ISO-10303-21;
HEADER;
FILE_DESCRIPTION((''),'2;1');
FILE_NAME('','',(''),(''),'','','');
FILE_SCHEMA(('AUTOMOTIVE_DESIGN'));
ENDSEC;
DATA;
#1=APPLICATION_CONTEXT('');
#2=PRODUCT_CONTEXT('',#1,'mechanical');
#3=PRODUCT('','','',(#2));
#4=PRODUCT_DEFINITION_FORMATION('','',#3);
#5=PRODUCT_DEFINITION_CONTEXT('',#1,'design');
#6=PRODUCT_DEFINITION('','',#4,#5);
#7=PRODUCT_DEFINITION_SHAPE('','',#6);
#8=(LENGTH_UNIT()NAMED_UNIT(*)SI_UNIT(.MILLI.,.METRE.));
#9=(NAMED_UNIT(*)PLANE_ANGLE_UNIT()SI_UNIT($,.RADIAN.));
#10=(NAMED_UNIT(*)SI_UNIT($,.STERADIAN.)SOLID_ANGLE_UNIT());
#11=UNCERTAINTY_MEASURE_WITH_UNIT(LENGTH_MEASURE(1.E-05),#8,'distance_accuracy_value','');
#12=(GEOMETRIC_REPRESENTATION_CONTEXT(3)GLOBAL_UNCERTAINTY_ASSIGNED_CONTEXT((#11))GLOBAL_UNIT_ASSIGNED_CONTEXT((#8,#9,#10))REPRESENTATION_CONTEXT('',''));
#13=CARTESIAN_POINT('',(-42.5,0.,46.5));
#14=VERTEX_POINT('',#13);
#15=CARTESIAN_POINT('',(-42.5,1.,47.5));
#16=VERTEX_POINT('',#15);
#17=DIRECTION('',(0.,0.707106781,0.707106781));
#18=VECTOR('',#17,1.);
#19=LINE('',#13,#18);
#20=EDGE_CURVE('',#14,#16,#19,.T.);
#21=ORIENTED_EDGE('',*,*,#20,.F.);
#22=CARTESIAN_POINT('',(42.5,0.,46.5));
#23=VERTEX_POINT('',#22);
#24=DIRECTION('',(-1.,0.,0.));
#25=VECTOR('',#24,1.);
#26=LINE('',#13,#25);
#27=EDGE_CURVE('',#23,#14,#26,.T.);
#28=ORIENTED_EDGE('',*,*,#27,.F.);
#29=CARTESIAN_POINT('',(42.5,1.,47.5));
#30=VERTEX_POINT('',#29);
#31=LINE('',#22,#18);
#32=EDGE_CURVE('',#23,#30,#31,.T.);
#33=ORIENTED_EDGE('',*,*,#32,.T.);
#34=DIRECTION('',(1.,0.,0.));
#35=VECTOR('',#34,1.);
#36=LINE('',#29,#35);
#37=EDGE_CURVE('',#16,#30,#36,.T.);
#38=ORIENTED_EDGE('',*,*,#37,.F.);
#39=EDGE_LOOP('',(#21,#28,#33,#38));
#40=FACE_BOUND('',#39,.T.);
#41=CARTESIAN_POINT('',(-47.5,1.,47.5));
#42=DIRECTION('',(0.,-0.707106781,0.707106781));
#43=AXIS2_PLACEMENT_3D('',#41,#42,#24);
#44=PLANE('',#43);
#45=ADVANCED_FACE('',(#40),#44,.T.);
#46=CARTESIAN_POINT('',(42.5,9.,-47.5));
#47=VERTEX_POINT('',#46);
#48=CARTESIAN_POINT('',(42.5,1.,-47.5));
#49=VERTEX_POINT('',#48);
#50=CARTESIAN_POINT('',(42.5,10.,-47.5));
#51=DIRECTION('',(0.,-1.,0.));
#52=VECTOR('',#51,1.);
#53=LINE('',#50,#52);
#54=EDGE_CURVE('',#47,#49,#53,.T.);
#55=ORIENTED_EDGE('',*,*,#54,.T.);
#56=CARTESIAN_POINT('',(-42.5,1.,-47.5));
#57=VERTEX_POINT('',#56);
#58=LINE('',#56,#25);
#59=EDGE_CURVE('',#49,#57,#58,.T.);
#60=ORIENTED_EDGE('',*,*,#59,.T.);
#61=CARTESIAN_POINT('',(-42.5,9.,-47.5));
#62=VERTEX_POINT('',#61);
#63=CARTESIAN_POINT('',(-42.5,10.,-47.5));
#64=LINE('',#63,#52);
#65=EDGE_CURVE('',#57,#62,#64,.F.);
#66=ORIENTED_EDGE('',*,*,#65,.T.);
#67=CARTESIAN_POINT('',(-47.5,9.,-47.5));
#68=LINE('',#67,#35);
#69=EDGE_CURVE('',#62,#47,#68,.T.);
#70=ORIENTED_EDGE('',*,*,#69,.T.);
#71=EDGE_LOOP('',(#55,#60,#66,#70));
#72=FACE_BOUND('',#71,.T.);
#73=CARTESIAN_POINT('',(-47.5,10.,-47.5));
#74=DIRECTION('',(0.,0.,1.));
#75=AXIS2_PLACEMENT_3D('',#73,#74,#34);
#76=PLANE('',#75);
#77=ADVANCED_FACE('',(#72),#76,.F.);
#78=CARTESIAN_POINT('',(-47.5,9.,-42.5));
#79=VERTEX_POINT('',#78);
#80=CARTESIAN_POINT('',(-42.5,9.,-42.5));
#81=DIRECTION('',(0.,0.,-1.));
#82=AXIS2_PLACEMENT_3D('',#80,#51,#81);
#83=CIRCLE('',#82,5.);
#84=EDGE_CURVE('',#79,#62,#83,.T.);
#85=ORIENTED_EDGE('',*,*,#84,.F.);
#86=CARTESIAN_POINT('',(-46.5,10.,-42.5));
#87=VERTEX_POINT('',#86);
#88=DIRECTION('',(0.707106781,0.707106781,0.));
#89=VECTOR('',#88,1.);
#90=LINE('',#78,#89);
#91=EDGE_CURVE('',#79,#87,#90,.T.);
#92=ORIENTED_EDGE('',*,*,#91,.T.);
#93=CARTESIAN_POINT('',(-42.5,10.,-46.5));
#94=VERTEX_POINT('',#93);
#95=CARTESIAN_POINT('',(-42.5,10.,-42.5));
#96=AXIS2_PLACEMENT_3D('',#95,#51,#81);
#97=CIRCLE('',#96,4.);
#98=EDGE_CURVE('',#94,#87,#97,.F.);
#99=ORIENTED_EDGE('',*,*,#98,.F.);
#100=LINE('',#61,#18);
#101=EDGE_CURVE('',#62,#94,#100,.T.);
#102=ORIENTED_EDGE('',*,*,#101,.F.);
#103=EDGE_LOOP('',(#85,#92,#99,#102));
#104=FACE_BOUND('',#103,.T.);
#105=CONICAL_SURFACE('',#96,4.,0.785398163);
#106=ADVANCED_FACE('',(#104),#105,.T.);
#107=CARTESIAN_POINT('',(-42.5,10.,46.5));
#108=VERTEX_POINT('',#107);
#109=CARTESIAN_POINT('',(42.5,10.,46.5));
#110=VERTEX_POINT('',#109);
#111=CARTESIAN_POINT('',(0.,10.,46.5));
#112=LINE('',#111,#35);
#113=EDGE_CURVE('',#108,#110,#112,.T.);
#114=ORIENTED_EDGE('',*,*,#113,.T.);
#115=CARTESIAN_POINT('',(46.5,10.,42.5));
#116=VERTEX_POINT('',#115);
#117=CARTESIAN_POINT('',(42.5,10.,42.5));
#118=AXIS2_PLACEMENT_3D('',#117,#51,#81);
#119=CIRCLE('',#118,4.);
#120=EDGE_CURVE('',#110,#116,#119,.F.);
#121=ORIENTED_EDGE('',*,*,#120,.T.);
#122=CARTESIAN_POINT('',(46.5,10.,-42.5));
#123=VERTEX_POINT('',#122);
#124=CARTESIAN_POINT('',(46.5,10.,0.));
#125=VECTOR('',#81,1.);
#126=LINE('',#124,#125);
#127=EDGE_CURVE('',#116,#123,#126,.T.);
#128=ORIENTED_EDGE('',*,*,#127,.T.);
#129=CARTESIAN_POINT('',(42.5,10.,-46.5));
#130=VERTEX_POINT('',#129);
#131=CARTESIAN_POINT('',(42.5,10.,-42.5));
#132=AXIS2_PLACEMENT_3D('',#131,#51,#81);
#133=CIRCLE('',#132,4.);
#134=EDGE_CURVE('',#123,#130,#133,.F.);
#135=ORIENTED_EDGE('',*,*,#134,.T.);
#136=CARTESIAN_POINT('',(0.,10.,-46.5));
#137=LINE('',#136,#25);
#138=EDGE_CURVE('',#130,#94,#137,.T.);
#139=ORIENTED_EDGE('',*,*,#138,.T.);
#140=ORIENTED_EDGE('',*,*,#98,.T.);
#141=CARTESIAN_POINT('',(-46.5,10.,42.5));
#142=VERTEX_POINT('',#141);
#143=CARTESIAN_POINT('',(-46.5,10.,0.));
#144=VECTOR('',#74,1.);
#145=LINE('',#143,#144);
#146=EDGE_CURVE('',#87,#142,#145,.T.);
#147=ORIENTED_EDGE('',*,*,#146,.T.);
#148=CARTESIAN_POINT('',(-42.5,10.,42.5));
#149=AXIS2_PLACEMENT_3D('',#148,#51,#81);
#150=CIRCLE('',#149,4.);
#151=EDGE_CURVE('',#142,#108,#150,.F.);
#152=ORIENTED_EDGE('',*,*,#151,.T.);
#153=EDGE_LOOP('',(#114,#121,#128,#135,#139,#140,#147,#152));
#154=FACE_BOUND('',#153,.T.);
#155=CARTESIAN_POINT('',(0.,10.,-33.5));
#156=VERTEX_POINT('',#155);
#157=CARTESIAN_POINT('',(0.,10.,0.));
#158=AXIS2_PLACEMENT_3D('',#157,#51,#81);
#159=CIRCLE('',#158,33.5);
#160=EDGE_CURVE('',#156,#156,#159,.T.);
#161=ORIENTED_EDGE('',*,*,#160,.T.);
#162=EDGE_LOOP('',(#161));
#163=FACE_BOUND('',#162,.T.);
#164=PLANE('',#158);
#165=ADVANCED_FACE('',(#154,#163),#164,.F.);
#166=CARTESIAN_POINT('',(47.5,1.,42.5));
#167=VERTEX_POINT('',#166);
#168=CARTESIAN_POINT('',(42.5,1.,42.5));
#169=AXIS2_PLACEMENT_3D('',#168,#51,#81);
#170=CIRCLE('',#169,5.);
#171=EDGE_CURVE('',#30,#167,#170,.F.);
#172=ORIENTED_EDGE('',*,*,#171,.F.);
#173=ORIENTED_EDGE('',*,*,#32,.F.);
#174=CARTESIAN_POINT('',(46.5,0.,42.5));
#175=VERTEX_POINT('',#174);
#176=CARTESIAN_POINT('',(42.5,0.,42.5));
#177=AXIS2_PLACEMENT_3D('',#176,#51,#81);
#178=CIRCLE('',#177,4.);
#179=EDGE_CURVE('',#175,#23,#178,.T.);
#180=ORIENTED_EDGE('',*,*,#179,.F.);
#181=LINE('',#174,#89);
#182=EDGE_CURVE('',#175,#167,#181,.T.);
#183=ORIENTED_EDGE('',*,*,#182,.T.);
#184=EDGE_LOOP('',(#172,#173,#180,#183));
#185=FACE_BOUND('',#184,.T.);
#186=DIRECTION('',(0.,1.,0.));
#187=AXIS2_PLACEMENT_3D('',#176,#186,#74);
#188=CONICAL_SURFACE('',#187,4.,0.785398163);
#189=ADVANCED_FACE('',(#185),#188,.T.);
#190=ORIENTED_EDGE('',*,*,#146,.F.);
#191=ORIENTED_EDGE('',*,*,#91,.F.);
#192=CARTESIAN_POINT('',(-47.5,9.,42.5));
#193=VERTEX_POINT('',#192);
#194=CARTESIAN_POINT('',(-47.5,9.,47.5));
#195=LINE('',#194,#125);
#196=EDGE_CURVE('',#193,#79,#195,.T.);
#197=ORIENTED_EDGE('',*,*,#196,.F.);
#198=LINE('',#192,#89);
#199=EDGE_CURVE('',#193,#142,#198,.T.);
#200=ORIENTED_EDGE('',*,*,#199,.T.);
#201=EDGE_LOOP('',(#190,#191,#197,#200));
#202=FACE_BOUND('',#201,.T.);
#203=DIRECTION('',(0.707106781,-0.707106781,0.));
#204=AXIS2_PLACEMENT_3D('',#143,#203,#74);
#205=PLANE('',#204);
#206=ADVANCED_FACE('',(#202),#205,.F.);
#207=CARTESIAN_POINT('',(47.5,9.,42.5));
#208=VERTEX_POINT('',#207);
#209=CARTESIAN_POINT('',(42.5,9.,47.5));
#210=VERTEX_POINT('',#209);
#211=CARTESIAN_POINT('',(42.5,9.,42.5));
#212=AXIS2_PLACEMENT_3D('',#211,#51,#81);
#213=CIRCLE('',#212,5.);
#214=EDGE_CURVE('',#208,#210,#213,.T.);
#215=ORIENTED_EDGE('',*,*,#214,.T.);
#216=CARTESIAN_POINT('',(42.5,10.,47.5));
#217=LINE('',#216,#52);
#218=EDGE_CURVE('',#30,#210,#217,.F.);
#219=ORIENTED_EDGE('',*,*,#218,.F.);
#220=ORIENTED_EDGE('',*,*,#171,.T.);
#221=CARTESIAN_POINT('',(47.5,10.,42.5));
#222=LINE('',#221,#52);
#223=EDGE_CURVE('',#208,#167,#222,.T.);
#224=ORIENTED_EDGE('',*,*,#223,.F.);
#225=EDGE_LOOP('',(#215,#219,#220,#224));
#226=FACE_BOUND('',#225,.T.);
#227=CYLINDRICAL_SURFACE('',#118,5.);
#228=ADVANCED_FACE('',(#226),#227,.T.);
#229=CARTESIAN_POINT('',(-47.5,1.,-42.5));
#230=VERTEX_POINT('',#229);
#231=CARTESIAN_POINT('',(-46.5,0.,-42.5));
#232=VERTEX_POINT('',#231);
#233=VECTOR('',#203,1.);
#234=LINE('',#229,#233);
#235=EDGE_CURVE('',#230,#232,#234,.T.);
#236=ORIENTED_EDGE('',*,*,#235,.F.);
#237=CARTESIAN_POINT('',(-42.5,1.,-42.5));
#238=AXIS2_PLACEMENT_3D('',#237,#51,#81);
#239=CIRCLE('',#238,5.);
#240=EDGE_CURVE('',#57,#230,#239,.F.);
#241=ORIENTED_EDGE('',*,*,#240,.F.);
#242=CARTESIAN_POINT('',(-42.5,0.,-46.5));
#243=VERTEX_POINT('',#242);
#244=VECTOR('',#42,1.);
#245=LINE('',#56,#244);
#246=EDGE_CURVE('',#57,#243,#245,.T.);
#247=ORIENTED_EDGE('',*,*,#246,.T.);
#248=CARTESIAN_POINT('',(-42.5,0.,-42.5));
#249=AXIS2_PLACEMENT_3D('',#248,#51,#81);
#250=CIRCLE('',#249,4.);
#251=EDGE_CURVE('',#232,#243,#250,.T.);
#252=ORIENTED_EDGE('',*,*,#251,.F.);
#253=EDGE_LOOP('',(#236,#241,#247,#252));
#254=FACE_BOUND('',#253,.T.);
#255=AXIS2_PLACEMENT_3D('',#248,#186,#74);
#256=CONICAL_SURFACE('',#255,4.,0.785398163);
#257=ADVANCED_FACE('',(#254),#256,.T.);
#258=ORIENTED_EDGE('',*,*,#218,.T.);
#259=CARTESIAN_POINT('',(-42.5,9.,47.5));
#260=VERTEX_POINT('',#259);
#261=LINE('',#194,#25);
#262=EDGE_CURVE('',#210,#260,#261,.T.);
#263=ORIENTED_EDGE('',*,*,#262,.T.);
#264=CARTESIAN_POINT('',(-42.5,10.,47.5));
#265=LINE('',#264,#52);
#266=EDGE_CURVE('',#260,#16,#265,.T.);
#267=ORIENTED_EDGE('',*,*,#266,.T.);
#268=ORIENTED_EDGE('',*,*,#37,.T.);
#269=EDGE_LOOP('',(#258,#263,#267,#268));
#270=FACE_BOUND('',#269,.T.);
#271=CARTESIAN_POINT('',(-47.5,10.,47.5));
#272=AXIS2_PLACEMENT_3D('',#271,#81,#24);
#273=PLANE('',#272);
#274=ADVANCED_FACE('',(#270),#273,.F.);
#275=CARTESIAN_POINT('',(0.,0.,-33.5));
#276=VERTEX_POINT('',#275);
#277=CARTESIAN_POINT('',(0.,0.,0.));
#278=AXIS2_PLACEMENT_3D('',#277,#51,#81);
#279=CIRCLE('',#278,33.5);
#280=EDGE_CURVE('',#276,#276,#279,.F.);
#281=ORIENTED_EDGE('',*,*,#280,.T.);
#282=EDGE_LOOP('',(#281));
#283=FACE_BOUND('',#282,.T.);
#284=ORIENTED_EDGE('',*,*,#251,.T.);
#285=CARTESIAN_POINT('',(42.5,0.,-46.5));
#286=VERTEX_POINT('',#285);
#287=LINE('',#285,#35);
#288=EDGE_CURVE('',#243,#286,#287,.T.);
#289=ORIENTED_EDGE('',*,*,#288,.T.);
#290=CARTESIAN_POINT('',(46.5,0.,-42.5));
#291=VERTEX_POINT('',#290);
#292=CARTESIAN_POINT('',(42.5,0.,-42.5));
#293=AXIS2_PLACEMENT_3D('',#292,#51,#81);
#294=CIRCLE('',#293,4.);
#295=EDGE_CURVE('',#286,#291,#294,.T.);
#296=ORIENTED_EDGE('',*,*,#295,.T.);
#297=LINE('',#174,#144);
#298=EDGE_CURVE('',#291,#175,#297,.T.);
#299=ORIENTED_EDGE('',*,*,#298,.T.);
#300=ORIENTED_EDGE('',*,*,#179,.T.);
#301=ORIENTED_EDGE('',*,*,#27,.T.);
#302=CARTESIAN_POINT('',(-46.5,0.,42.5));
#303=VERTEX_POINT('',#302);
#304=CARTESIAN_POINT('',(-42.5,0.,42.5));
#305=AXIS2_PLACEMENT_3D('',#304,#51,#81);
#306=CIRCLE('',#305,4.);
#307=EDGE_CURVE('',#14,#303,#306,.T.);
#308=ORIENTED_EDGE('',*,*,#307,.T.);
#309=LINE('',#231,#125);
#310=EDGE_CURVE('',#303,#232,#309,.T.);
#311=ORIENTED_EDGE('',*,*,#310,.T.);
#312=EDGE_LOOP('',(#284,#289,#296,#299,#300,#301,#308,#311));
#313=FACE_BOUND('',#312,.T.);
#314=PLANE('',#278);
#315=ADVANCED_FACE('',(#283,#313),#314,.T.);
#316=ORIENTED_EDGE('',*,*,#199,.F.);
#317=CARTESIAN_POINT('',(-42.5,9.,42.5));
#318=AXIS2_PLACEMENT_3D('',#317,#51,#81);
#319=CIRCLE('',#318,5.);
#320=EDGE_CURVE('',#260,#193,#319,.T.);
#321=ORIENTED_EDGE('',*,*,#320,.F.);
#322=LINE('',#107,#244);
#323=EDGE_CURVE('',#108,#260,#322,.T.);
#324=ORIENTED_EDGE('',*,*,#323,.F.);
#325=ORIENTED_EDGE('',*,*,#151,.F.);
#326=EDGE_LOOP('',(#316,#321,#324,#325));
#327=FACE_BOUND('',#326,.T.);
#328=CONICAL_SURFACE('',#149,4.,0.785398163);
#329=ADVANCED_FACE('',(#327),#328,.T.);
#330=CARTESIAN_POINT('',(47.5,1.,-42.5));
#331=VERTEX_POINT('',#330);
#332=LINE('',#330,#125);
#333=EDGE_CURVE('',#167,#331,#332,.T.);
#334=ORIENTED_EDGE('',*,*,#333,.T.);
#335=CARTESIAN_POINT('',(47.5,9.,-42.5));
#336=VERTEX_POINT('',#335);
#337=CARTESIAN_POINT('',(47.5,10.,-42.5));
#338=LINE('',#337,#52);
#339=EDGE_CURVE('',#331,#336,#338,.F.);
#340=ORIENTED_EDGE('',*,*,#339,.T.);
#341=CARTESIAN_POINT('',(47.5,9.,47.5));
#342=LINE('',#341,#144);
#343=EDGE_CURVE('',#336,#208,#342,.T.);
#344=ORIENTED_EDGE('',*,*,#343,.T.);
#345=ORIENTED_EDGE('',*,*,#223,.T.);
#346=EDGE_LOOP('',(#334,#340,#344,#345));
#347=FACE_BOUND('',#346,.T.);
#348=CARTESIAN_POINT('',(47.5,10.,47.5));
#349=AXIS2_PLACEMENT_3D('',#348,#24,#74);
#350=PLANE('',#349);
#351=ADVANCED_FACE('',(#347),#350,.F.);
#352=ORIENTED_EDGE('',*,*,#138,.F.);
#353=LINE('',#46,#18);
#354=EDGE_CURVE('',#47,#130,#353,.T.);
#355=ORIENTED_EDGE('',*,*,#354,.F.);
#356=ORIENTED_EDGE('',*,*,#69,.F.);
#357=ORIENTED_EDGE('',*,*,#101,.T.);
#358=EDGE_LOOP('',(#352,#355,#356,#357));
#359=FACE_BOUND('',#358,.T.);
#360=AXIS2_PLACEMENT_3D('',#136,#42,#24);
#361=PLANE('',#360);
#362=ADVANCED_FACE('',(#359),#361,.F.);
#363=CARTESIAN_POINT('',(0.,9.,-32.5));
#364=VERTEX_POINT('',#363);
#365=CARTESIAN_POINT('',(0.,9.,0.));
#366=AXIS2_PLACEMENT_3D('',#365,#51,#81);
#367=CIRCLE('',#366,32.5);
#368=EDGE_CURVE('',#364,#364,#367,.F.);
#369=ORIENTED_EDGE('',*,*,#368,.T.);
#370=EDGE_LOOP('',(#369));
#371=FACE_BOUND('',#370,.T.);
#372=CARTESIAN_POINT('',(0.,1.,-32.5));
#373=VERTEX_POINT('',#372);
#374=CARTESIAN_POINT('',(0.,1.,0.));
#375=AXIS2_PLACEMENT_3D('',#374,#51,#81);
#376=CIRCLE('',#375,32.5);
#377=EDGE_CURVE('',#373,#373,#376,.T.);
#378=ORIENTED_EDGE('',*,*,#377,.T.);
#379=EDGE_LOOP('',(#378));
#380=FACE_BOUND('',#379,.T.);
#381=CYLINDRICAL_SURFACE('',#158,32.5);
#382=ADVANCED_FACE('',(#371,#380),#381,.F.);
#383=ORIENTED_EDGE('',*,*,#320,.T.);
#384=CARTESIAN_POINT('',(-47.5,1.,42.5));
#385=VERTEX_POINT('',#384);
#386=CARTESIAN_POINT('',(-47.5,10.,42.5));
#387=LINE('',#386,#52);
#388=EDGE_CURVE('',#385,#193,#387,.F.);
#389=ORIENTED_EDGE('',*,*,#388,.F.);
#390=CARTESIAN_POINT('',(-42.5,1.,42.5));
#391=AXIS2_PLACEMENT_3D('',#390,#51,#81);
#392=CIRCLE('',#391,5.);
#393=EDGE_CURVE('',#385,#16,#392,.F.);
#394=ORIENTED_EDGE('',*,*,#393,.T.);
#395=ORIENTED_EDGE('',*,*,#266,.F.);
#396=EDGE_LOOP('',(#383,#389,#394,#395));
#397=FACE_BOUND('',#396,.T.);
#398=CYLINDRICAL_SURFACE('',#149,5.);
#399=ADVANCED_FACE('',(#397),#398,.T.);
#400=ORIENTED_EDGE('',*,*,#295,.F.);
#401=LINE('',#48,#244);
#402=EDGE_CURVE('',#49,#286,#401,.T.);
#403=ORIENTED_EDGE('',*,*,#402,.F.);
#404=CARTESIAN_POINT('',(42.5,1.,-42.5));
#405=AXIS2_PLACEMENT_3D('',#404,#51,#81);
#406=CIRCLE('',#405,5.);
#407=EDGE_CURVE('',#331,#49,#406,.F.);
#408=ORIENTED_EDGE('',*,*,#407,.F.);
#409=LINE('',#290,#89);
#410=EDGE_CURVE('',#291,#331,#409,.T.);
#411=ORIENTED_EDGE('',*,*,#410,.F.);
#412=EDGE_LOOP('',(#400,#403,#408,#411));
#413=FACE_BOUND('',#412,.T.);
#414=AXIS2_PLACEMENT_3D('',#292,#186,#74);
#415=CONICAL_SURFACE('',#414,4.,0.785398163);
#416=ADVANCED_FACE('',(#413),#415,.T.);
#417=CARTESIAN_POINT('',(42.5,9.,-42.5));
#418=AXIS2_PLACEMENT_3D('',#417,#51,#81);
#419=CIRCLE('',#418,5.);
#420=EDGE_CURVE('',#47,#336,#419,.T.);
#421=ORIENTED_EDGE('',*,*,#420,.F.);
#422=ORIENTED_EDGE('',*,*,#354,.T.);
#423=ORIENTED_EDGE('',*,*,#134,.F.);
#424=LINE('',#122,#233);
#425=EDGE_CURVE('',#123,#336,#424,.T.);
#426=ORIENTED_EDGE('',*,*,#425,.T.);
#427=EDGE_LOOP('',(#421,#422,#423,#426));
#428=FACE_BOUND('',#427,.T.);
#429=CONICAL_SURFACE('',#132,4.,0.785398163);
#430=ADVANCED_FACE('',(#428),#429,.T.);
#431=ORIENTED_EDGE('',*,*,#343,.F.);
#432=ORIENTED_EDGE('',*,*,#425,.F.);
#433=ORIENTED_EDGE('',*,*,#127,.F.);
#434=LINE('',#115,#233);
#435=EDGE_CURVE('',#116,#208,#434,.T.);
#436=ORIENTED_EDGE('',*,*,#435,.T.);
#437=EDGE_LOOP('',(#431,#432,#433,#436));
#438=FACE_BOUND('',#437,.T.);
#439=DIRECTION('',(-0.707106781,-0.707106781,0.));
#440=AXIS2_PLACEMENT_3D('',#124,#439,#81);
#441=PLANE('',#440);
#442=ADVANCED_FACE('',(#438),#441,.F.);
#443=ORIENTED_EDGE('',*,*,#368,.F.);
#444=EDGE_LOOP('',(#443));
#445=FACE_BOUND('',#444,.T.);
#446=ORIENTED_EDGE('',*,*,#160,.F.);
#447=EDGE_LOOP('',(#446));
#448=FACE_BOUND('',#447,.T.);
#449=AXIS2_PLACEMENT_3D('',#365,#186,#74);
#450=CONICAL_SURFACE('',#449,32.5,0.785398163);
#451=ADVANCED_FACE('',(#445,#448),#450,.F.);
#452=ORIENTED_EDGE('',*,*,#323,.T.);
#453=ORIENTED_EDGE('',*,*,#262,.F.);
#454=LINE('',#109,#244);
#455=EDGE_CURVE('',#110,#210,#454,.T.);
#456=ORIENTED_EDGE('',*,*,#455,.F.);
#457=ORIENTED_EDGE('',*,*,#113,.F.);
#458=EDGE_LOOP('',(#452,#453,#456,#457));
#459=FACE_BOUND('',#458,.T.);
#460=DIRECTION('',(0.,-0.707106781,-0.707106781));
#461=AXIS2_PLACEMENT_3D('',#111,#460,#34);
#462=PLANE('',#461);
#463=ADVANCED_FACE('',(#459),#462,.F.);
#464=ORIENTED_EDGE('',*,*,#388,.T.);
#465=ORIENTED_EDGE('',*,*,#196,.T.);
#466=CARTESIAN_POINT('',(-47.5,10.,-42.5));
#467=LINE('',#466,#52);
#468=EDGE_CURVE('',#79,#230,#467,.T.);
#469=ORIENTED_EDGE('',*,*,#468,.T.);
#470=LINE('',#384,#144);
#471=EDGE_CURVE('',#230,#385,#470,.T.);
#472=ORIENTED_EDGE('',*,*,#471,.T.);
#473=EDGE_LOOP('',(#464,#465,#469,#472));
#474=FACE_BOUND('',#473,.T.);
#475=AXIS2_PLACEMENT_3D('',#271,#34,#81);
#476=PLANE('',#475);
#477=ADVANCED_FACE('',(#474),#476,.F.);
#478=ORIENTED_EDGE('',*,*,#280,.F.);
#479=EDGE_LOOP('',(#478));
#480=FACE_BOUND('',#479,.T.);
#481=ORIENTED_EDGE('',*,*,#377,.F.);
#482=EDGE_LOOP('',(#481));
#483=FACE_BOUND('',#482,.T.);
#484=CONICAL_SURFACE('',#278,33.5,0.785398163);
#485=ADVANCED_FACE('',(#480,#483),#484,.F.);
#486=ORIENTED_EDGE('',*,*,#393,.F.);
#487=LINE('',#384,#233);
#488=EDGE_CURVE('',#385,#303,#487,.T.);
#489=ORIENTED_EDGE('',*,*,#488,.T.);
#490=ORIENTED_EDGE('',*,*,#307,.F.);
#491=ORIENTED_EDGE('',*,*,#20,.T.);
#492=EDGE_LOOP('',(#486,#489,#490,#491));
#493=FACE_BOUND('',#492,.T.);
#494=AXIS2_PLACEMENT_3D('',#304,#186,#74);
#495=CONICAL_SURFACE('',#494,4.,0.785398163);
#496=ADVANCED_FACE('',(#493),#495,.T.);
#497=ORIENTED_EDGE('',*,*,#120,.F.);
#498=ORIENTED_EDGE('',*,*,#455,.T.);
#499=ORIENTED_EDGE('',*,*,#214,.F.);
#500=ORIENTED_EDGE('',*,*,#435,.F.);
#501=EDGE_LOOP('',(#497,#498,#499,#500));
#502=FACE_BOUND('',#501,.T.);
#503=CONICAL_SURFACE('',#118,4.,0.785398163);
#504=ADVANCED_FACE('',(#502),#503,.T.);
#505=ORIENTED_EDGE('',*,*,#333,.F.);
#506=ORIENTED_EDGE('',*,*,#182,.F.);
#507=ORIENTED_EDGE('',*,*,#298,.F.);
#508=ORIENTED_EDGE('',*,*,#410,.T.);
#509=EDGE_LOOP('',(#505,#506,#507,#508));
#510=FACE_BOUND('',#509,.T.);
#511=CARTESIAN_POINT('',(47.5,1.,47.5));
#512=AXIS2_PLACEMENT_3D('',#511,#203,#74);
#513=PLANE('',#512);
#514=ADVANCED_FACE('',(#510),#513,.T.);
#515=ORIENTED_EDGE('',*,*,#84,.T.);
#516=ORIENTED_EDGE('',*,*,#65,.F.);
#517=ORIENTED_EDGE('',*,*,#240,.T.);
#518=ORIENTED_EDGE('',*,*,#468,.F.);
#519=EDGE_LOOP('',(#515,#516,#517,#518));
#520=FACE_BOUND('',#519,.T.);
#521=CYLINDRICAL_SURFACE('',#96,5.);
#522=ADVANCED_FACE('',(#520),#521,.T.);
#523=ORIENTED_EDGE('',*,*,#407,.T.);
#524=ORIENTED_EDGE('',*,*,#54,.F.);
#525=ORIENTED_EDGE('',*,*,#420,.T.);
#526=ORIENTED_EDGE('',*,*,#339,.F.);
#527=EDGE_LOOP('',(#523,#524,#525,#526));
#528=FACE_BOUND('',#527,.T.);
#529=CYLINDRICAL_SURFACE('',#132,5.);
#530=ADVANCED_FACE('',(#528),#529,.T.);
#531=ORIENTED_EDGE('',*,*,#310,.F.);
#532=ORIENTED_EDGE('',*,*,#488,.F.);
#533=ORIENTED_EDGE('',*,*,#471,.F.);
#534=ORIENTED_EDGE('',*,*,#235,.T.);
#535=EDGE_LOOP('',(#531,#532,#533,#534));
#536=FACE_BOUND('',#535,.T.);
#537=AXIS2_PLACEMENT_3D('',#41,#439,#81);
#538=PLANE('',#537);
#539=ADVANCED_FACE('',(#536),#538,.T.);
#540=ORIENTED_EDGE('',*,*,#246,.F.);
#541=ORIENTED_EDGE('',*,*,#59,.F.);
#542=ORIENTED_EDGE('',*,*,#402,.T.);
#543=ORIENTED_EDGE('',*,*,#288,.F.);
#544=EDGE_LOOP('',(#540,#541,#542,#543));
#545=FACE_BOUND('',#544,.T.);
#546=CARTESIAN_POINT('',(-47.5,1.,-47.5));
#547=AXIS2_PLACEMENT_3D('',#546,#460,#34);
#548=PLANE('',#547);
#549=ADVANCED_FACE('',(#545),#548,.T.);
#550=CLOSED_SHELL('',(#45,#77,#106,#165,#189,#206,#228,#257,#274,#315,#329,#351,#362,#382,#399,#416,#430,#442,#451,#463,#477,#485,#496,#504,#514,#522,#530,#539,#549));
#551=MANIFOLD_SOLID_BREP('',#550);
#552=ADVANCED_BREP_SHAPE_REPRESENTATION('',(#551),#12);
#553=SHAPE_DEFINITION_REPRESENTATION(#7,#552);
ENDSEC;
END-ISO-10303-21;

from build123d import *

# Parameters (mm, degrees)
SKETCH1_W           = 95
SKETCH1_H           = 95
SKETCH1_R           = 32.5
BOSS_EXTRUDE1_DEPTH = 10
FILLET1_R           = 5
CHAMFER1_SIZE       = 1


with BuildPart() as part:
    # Sketch1 → Boss-Extrude1 (new body)
    with BuildSketch(Plane(origin=(0, 0, 0), x_dir=(1, 0, 0), z_dir=(0, 1, 0))):
        Rectangle(SKETCH1_W, SKETCH1_H)
        with Locations(Location((0, 0, 0), (0, 0, 270))):
            Circle(SKETCH1_R, mode=Mode.SUBTRACT)
    extrude(amount=BOSS_EXTRUDE1_DEPTH)

    # Fillet1
    fillet1_edges = [part.edges().sort_by_distance(p)[0] for p in [
        (47.5, 5, 47.5),
        (-47.5, 5, 47.5),
        (-47.5, 5, -47.5),
        (47.5, 5, -47.5),
    ]]
    fillet(fillet1_edges, radius=FILLET1_R)

    # Chamfer1
    chamfer1_edges = [part.edges().sort_by_distance(p)[0] for p in [
        (0, 0, -32.5),
        (0, 10, -32.5),
        (-47.5, 0, 0),
        (-47.5, 10, 0),
        (47.5, 0, 0),
        (0, 0, 47.5),
        (0, 0, -47.5),
        (-46.035533906, 0, 46.035533906),
        (46.035533906, 0, 46.035533906),
        (46.035533906, 0, -46.035533906),
        (-46.035533906, 0, -46.035533906),
        (0, 10, -47.5),
        (47.5, 10, 0),
        (0, 10, 47.5),
        (-46.035533906, 10, 46.035533906),
        (46.035533906, 10, 46.035533906),
        (46.035533906, 10, -46.035533906),
        (-46.035533906, 10, -46.035533906),
    ]]
    chamfer(chamfer1_edges, length=CHAMFER1_SIZE)


solid = part.part
